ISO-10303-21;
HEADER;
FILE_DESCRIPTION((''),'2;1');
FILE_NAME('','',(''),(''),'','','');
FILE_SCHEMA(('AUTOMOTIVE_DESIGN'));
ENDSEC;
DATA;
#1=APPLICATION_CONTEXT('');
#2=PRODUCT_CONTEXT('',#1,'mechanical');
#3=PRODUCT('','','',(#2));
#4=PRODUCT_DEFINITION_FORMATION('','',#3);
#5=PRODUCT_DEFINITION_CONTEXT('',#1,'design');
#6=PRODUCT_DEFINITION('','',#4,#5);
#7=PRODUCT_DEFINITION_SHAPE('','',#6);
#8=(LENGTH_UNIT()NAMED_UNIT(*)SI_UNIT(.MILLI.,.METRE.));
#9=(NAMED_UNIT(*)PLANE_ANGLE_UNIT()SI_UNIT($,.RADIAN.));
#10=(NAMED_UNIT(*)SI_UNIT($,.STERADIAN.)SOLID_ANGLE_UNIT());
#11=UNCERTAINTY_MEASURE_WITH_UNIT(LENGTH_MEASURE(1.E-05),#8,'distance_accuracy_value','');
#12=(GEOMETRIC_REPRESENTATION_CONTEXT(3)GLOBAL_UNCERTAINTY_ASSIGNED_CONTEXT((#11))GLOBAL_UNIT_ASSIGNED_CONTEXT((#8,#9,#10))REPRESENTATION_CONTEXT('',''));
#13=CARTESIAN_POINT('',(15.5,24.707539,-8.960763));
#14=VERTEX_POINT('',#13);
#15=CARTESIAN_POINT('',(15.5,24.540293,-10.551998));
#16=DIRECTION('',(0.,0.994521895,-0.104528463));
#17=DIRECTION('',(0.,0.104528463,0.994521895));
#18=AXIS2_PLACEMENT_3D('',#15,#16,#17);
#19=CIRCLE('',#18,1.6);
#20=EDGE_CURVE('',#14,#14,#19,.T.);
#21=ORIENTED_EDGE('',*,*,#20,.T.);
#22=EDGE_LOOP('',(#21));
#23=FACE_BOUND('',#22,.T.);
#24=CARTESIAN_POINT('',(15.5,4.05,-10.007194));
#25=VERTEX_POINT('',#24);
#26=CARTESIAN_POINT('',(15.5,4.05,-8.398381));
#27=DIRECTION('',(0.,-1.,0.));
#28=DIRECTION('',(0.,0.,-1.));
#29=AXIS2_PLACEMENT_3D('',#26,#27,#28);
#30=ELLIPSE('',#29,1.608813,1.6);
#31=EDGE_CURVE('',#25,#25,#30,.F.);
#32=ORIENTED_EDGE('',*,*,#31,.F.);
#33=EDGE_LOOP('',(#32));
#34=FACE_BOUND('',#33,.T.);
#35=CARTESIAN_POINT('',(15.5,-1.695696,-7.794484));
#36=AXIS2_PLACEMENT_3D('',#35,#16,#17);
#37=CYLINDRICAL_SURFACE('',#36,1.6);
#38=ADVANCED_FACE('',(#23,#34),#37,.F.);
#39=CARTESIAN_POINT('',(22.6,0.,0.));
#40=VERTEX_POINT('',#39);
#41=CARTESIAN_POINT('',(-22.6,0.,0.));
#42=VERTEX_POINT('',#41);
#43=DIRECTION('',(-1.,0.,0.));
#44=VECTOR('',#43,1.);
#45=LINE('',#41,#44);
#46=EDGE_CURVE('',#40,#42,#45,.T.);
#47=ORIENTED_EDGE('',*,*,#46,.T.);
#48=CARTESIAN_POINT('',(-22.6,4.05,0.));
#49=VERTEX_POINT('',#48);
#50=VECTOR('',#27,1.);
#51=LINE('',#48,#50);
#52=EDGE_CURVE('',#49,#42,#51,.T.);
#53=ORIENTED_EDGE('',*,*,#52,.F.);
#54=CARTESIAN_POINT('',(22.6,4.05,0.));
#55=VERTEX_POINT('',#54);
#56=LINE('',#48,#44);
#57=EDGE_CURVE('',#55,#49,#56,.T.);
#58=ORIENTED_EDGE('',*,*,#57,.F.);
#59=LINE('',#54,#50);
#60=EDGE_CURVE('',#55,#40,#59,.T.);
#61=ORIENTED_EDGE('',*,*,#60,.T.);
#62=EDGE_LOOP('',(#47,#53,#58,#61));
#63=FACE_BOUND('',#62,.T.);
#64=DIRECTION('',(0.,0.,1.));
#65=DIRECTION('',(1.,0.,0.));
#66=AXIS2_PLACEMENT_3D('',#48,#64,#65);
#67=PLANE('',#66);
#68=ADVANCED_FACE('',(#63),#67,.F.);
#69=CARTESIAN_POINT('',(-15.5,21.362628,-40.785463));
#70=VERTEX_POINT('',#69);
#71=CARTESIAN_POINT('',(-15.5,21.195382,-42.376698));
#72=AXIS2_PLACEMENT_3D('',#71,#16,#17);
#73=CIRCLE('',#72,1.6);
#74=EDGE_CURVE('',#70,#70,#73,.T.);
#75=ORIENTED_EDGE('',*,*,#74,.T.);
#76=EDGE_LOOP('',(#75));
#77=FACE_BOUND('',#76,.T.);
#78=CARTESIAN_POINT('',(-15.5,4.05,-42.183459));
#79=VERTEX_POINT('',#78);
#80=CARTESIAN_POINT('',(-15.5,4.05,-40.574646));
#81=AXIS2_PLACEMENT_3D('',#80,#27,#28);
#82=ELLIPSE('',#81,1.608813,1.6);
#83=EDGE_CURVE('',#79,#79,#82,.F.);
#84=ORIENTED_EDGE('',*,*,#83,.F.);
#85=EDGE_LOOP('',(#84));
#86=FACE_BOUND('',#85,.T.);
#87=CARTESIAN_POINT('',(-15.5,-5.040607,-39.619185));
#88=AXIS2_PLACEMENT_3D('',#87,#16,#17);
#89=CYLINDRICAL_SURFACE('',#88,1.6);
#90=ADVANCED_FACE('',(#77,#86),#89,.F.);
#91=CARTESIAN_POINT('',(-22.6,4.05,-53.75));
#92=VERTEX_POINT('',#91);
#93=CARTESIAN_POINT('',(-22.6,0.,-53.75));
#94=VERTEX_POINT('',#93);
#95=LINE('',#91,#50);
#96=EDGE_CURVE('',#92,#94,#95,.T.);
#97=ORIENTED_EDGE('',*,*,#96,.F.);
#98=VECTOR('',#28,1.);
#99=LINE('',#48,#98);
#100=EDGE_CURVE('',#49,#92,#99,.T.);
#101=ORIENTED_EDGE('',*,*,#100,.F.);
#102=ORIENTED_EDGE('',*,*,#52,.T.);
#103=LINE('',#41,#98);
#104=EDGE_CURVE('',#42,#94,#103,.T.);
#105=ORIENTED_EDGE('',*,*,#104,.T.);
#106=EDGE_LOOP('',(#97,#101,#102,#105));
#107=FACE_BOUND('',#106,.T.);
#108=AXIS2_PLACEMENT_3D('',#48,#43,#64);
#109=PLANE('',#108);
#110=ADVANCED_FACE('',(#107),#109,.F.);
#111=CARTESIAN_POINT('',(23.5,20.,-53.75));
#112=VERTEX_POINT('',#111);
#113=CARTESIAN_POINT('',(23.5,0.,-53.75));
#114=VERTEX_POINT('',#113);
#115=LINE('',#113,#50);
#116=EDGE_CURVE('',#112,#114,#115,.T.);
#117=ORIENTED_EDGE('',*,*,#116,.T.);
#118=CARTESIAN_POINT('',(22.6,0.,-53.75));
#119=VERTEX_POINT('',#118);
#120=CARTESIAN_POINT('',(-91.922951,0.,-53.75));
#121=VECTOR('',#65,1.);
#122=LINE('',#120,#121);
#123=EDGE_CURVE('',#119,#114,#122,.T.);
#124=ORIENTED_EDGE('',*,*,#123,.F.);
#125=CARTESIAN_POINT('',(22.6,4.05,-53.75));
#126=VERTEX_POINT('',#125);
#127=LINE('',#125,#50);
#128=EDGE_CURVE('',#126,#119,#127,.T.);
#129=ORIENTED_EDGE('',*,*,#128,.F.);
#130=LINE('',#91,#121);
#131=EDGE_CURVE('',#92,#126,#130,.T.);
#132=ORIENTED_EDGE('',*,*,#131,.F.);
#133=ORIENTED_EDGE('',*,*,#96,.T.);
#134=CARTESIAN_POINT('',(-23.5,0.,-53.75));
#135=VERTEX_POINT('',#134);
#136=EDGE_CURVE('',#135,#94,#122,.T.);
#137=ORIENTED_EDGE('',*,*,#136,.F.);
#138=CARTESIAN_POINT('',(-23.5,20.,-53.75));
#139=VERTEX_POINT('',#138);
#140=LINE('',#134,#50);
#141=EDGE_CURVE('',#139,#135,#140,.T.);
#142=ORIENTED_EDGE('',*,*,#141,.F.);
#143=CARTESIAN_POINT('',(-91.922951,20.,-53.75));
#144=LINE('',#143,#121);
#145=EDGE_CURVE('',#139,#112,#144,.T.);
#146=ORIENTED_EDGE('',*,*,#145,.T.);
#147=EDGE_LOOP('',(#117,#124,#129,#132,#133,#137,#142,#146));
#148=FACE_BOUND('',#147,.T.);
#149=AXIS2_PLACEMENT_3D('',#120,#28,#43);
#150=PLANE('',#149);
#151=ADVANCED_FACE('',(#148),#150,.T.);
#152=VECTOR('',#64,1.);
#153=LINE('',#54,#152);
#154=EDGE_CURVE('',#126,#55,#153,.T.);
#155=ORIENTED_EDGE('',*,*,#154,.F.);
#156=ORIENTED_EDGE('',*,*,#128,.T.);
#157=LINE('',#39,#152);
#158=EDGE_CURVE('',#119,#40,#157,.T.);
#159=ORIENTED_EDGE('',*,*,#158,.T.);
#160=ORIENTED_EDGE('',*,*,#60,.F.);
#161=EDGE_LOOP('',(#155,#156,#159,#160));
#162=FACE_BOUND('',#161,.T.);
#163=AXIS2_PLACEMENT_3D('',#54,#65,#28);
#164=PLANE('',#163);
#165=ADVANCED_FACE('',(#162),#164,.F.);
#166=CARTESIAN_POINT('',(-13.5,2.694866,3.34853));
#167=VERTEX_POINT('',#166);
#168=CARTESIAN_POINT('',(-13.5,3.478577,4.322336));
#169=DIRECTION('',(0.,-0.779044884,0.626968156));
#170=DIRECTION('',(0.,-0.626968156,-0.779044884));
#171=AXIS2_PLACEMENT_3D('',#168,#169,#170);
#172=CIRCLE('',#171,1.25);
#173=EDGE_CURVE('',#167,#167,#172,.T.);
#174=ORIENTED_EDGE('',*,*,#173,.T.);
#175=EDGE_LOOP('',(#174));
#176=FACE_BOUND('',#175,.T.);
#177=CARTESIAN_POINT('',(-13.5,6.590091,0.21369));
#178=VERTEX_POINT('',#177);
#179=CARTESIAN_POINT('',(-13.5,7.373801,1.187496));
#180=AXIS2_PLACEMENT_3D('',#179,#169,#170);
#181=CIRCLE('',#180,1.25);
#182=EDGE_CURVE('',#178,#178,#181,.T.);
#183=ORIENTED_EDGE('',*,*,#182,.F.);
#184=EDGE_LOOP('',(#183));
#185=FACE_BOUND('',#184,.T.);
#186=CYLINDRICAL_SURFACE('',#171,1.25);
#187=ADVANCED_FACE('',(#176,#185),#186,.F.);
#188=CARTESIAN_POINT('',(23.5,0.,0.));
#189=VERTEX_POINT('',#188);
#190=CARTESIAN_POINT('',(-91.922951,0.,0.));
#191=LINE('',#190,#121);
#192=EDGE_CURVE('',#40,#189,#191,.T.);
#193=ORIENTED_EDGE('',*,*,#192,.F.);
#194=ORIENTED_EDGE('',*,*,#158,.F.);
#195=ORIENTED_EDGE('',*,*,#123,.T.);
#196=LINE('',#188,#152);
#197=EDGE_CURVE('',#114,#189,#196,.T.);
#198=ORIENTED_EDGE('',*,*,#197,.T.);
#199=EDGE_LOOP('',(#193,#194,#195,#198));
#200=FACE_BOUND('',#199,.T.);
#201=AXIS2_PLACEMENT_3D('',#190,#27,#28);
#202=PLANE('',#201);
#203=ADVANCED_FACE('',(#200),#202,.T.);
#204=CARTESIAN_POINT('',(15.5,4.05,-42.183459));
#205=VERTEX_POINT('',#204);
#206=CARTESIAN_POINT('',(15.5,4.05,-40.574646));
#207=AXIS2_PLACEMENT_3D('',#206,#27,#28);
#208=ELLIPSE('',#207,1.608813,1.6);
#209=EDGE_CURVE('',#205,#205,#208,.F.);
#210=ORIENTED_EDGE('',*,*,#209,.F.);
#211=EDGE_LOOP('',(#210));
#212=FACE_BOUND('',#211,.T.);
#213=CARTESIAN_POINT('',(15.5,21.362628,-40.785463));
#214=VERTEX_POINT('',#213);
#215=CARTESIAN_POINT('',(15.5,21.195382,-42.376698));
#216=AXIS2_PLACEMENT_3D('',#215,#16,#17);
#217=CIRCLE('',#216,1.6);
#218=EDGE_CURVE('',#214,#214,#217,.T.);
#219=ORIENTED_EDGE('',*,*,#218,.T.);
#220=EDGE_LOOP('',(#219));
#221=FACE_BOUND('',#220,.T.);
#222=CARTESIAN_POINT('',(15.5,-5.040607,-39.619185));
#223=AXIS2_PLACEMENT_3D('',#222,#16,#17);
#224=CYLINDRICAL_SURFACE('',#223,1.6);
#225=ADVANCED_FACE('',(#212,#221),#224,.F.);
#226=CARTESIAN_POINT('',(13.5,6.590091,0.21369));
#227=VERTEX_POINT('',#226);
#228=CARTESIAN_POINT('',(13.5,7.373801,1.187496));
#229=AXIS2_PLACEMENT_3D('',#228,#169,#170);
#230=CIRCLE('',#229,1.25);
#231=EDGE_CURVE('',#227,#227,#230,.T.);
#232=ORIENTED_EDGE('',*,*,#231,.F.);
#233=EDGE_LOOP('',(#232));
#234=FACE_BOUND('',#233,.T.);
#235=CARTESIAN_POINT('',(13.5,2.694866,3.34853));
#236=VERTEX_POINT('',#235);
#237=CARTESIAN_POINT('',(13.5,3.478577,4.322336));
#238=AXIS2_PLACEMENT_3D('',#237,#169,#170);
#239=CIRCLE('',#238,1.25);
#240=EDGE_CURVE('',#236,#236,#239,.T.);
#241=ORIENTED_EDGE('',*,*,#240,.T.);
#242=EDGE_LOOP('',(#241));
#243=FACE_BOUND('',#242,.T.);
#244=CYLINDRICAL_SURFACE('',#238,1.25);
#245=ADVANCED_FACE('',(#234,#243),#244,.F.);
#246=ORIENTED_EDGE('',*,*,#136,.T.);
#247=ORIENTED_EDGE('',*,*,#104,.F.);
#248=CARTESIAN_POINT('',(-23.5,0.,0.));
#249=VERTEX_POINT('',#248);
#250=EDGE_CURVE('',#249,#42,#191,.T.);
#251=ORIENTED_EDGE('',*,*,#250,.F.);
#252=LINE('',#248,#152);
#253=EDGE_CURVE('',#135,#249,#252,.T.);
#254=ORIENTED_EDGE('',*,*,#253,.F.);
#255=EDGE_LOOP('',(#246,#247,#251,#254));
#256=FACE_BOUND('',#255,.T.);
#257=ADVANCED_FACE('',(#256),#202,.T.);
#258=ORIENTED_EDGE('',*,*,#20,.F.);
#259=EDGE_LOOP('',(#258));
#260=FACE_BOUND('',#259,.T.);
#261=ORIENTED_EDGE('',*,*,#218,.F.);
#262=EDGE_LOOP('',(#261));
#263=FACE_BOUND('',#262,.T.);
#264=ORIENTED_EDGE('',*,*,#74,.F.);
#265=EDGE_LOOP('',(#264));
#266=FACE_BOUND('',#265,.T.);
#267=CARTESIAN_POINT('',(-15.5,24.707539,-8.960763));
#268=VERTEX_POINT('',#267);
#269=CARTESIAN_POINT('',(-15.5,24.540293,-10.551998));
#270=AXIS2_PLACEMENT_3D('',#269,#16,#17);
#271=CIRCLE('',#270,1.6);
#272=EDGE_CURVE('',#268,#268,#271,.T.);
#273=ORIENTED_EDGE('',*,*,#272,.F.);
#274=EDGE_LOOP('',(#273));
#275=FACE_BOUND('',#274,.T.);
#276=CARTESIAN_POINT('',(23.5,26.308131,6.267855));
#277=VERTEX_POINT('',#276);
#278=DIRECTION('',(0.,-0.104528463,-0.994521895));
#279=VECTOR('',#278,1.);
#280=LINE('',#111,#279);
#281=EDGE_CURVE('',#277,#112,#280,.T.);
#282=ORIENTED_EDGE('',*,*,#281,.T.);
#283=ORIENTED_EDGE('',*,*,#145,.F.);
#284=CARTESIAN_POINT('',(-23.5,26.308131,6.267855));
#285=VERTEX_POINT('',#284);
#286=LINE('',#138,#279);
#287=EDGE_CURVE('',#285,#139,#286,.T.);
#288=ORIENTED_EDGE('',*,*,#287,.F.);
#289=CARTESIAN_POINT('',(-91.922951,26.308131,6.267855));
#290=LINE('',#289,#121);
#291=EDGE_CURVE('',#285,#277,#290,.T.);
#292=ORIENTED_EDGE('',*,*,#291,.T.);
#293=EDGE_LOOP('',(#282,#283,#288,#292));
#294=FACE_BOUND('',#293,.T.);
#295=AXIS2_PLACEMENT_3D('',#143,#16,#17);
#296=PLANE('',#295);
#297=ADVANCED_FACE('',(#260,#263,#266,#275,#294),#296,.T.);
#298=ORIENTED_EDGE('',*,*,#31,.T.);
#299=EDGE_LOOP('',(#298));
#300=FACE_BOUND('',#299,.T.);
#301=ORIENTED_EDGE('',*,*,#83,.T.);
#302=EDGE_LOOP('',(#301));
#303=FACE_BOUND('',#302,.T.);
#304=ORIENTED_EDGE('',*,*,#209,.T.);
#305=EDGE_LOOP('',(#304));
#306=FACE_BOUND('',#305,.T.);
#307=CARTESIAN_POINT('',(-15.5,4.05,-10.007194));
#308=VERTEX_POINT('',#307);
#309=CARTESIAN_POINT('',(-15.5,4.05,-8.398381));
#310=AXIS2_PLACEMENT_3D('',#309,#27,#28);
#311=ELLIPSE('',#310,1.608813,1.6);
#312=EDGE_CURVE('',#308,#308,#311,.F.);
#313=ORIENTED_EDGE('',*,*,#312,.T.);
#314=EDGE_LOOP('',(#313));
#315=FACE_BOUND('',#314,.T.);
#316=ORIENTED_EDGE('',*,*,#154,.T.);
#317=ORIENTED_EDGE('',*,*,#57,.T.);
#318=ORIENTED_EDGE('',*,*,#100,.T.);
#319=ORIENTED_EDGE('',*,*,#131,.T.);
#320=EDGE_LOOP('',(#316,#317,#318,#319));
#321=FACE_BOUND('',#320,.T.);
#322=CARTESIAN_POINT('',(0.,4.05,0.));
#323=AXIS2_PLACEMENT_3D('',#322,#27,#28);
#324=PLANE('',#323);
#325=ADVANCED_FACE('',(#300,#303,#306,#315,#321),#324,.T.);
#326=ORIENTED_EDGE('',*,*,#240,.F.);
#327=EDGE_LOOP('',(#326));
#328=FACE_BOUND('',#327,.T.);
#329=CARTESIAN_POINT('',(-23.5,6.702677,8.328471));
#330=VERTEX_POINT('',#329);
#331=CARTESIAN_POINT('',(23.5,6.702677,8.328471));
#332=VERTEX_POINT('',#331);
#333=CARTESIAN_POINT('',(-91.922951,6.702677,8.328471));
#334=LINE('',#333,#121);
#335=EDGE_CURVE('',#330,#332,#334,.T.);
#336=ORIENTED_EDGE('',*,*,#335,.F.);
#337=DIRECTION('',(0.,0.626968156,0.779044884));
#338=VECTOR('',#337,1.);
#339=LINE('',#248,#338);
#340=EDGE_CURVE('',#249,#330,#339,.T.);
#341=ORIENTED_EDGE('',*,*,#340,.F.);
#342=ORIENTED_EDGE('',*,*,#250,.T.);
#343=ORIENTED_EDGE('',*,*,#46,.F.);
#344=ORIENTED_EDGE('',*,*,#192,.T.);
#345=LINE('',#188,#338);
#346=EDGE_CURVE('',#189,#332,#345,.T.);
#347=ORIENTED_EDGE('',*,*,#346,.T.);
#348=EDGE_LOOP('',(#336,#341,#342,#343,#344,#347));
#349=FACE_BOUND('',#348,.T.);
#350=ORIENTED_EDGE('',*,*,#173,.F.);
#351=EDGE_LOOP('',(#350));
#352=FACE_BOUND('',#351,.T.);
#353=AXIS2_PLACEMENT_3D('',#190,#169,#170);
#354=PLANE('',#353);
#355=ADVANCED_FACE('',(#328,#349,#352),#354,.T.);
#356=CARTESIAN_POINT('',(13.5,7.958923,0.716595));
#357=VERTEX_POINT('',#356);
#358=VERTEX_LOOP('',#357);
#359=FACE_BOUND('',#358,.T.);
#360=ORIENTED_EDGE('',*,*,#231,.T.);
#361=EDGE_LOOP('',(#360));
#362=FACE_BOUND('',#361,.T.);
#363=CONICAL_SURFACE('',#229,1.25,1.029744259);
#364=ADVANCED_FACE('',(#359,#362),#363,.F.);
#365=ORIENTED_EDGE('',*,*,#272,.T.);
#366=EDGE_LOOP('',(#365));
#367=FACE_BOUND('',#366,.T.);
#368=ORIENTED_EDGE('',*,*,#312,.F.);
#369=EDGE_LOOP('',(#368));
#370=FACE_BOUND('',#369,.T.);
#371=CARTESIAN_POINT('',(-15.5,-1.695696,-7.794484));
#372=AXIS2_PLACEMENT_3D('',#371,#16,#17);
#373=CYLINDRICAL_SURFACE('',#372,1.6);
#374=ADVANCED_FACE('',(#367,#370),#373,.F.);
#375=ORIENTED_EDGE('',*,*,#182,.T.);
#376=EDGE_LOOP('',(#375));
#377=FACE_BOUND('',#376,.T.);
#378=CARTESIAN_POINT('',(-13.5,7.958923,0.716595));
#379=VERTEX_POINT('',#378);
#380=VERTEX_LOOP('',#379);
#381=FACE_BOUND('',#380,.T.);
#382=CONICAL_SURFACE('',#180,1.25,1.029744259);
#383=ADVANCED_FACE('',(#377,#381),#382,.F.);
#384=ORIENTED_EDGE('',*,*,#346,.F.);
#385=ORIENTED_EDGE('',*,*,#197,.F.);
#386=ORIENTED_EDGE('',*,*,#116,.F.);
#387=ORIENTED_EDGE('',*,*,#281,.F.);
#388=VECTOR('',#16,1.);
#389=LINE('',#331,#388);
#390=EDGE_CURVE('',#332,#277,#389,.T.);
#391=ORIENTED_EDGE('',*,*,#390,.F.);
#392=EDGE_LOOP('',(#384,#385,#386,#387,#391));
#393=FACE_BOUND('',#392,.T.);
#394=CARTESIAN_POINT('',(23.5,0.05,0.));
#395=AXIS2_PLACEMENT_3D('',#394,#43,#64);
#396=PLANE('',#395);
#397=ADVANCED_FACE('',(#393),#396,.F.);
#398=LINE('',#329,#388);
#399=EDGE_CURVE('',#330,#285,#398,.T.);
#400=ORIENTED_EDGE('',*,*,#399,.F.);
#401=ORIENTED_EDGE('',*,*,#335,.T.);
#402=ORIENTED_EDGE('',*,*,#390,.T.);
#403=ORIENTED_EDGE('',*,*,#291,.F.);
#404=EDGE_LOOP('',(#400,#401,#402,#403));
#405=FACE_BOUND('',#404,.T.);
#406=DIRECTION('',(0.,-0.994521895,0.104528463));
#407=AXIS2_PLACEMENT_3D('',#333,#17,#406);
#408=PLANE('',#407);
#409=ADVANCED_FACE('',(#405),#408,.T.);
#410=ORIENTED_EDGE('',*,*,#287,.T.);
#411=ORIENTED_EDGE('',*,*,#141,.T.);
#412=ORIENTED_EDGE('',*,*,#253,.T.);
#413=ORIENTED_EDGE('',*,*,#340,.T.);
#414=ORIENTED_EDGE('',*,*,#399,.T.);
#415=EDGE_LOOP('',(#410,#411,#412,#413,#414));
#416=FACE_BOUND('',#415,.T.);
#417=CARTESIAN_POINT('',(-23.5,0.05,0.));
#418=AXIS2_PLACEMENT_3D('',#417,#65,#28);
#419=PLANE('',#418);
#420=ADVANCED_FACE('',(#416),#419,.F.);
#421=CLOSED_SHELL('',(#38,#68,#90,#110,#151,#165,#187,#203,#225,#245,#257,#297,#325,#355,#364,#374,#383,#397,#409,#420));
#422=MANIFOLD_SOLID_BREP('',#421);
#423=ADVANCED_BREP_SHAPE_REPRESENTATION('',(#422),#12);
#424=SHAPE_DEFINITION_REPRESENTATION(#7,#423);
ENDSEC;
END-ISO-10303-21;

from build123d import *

# Parameters (mm, degrees)
BOSS_EXTRU_1_DEPTH                            = 23.5
BOSS_EXTRU_1_DEPTH_BACK                       = 23.5
ESQUISSE2_W                                   = 45.2
ESQUISSE2_H                                   = 53.75
ENL_V_MAT_EXTRU_1_DEPTH                       = 4.05
ENL_V_MAT_EXTRU_2_REACH                       = 63.688
ESQUISSE3_R                                   = 1.6
TROU_POUR_TARAUDAGE_POUR_TROU_TARAUD_M3_D     = 2.5
TROU_POUR_TARAUDAGE_POUR_TROU_TARAUD_M3_DEPTH = 5
TROU_POUR_TARAUDAGE_POUR_TROU_TARAUD_M3_TIP   = 0.751075774


with BuildPart() as part:
    # Esquisse1 → Boss.-Extru.1 (new, two sides: drawn at the far end of the back side and taken through both)
    with BuildSketch(Plane(origin=(0, 0, 0), x_dir=(0, 0, -1), z_dir=(1, 0, 0)).offset(-BOSS_EXTRU_1_DEPTH_BACK)):
        Polygon((53.75, 20), (-6.267855155, 26.308130768), (-8.328471366, 6.702677141), (0, 0), (53.75, 0), align=None)
    extrude(amount=BOSS_EXTRU_1_DEPTH + BOSS_EXTRU_1_DEPTH_BACK)

    # Esquisse2 → Enlèv. mat.-Extru.1 (cut)
    with BuildSketch(Plane.XZ):
        with Locations((0, -26.875)):
            Rectangle(ESQUISSE2_W, ESQUISSE2_H)
    extrude(amount=-ENL_V_MAT_EXTRU_1_DEPTH, mode=Mode.SUBTRACT)

    # Enlèv. mat.-Extru.2: up to this plane
    enl_v_mat_extru_2_end = Plane(origin=(0, 4.05, 0), z_dir=(0, -1, 0))
    # Esquisse3 → Enlèv. mat.-Extru.2 (cut, up to the surface)
    with BuildSketch(Plane(origin=(0, 25.369102698, -2.666400138), x_dir=(1, 0, 0), z_dir=(0, 0.9945218953682741, -0.10452846326764641)), mode=Mode.PRIVATE) as enl_v_mat_extru_2_sk1:
        with Locations(Location((-15.5, 39.929033745, 0), (0, 0, 270))):
            Circle(ESQUISSE3_R)
    enl_v_mat_extru_2_tool1 = split(extrude(enl_v_mat_extru_2_sk1.sketch, amount=-ENL_V_MAT_EXTRU_2_REACH, mode=Mode.PRIVATE), bisect_by=enl_v_mat_extru_2_end, keep=Keep.BOTH, mode=Mode.PRIVATE)
    add(enl_v_mat_extru_2_tool1.solids().sort_by_distance((-15.5, 21.195382, -42.376698))[0], mode=Mode.SUBTRACT)
    # Esquisse3 → Enlèv. mat.-Extru.2 (cut, up to the surface)
    with BuildSketch(Plane(origin=(0, 25.369102698, -2.666400138), x_dir=(1, 0, 0), z_dir=(0, 0.9945218953682741, -0.10452846326764641)), mode=Mode.PRIVATE) as enl_v_mat_extru_2_sk2:
        with Locations(Location((15.5, 39.929033745, 0), (0, 0, 270))):
            Circle(ESQUISSE3_R)
    enl_v_mat_extru_2_tool2 = split(extrude(enl_v_mat_extru_2_sk2.sketch, amount=-ENL_V_MAT_EXTRU_2_REACH, mode=Mode.PRIVATE), bisect_by=enl_v_mat_extru_2_end, keep=Keep.BOTH, mode=Mode.PRIVATE)
    add(enl_v_mat_extru_2_tool2.solids().sort_by_distance((15.5, 21.195382, -42.376698))[0], mode=Mode.SUBTRACT)
    # Esquisse3 → Enlèv. mat.-Extru.2 (cut, up to the surface)
    with BuildSketch(Plane(origin=(0, 25.369102698, -2.666400138), x_dir=(1, 0, 0), z_dir=(0, 0.9945218953682741, -0.10452846326764641)), mode=Mode.PRIVATE) as enl_v_mat_extru_2_sk3:
        with Locations(Location((15.5, 7.929033745, 0), (0, 0, 270))):
            Circle(ESQUISSE3_R)
    enl_v_mat_extru_2_tool3 = split(extrude(enl_v_mat_extru_2_sk3.sketch, amount=-ENL_V_MAT_EXTRU_2_REACH, mode=Mode.PRIVATE), bisect_by=enl_v_mat_extru_2_end, keep=Keep.BOTH, mode=Mode.PRIVATE)
    add(enl_v_mat_extru_2_tool3.solids().sort_by_distance((15.5, 24.540293, -10.551998))[0], mode=Mode.SUBTRACT)
    # Esquisse3 → Enlèv. mat.-Extru.2 (cut, up to the surface)
    with BuildSketch(Plane(origin=(0, 25.369102698, -2.666400138), x_dir=(1, 0, 0), z_dir=(0, 0.9945218953682741, -0.10452846326764641)), mode=Mode.PRIVATE) as enl_v_mat_extru_2_sk4:
        with Locations(Location((-15.5, 7.929033745, 0), (0, 0, 270))):
            Circle(ESQUISSE3_R)
    enl_v_mat_extru_2_tool4 = split(extrude(enl_v_mat_extru_2_sk4.sketch, amount=-ENL_V_MAT_EXTRU_2_REACH, mode=Mode.PRIVATE), bisect_by=enl_v_mat_extru_2_end, keep=Keep.BOTH, mode=Mode.PRIVATE)
    add(enl_v_mat_extru_2_tool4.solids().sort_by_distance((-15.5, 24.540293, -10.551998))[0], mode=Mode.SUBTRACT)

    # Trou pour taraudage pour trou taraudé M31
    with Locations(Plane(origin=(0, 0, 0), x_dir=(-1, 0, 0), z_dir=(0, -0.779044883952261, 0.6269681561194383))):
        with Locations((13.5, -5.548250916), (-13.5, -5.548250916)):
            Hole(TROU_POUR_TARAUDAGE_POUR_TROU_TARAUD_M3_D / 2, depth=TROU_POUR_TARAUDAGE_POUR_TROU_TARAUD_M3_DEPTH)
            with Locations((0, 0, -(TROU_POUR_TARAUDAGE_POUR_TROU_TARAUD_M3_DEPTH + TROU_POUR_TARAUDAGE_POUR_TROU_TARAUD_M3_TIP / 2))):  # 118° drill point
                Cone(0, TROU_POUR_TARAUDAGE_POUR_TROU_TARAUD_M3_D / 2, TROU_POUR_TARAUDAGE_POUR_TROU_TARAUD_M3_TIP, mode=Mode.SUBTRACT)


solid = part.part
